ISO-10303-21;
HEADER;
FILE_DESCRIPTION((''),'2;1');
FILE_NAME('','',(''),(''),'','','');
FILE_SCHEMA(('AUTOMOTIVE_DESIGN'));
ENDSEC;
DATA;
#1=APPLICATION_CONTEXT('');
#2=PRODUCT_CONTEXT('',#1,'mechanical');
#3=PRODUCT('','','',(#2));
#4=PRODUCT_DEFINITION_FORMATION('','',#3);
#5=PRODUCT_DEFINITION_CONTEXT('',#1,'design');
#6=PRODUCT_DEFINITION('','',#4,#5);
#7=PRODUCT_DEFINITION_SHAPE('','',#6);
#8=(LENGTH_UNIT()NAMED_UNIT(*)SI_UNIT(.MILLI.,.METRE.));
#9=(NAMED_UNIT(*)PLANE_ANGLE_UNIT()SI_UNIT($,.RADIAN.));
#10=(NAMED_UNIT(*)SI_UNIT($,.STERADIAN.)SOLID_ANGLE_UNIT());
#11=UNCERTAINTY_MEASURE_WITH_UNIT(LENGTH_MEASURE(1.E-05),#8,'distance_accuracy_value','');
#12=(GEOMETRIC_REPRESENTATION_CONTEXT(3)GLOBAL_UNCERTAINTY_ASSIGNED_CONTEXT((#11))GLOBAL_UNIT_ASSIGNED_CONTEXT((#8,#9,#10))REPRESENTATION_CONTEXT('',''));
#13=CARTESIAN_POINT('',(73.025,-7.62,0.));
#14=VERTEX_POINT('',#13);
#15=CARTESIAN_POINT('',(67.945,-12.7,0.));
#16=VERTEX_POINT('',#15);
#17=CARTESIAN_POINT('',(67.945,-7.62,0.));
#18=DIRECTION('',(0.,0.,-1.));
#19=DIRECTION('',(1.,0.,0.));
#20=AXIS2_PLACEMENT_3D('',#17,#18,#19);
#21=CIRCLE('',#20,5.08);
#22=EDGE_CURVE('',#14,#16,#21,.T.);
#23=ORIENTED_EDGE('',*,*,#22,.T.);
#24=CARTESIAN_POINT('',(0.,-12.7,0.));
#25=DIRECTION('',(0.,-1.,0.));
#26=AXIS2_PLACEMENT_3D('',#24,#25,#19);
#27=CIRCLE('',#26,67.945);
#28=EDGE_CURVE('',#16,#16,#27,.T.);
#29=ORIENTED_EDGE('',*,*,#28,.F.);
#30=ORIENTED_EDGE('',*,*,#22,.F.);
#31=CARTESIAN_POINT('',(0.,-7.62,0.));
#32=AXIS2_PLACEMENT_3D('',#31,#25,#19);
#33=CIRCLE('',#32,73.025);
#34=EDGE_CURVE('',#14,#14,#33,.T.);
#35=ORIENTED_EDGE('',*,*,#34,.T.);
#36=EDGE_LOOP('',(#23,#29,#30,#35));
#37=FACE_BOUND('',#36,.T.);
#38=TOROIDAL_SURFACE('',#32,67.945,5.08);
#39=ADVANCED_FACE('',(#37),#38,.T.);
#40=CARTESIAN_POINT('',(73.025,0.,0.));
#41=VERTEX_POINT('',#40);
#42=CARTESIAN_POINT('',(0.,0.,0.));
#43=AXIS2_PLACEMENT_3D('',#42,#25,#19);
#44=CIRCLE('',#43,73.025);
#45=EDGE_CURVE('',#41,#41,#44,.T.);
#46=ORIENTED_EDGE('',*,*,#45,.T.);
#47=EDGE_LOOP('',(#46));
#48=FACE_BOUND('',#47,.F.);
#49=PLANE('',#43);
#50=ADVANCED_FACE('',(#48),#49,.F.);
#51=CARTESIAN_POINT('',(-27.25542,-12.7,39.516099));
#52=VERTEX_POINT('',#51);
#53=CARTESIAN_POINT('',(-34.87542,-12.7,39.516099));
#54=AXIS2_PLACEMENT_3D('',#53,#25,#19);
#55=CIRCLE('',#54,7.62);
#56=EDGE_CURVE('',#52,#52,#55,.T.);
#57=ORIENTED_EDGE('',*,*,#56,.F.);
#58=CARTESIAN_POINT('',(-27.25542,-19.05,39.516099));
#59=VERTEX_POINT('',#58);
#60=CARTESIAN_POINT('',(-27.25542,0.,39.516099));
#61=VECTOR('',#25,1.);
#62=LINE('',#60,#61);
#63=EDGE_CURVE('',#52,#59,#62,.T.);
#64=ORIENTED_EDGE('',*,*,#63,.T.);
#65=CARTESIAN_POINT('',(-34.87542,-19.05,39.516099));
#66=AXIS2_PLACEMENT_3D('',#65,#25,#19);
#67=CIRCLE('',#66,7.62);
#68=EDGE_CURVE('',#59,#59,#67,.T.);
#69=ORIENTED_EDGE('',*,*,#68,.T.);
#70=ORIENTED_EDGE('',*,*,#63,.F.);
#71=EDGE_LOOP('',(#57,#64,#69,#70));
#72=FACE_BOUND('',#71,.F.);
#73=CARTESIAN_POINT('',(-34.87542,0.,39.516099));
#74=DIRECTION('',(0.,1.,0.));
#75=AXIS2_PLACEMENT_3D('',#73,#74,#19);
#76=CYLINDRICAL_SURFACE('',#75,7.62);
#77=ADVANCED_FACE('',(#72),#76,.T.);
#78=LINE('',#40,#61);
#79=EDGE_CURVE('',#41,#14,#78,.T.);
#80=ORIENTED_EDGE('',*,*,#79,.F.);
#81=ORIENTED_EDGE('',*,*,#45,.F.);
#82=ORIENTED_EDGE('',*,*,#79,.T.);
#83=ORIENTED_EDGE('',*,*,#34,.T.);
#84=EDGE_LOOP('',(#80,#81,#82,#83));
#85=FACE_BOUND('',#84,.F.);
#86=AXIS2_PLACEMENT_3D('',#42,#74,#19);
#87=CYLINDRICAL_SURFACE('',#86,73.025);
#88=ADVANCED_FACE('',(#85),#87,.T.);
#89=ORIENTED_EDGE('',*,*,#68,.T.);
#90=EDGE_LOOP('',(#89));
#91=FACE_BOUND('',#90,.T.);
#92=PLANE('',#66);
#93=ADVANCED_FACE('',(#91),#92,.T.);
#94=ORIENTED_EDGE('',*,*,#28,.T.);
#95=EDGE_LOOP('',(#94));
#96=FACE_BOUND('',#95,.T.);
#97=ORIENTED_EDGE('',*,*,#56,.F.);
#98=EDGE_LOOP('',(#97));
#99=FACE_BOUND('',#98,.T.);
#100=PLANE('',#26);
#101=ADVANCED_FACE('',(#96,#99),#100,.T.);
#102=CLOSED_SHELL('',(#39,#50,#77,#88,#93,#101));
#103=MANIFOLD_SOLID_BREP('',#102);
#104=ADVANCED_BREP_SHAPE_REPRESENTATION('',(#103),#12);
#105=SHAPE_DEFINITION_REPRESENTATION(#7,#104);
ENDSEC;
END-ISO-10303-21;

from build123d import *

# Parameters (mm, degrees)
F0_R     = 73.025
F0_R_2   = 7.62
F1_DEPTH = 12.7
F2_R     = 5.08
F3_DEPTH = 19.05


with BuildPart() as f1:
    # F0 (on Front) → F1 (new body)
    with BuildSketch(Plane.XZ):
        Circle(F0_R)
        with Locations((-34.87542, 39.516099)):
            Circle(F0_R_2, mode=Mode.SUBTRACT)
    extrude(amount=F1_DEPTH)

    # F2
    f2_edges = [f1.edges().sort_by_distance(p)[0] for p in [
        (-73.025, -12.7, 0),
    ]]
    fillet(f2_edges, radius=F2_R)

    # F0 (on Front) → F3 (join)
    with BuildSketch(Plane.XZ):
        with Locations((-34.87542, 39.516099)):
            Circle(F0_R_2)
    extrude(amount=F3_DEPTH)


solid = f1.part
